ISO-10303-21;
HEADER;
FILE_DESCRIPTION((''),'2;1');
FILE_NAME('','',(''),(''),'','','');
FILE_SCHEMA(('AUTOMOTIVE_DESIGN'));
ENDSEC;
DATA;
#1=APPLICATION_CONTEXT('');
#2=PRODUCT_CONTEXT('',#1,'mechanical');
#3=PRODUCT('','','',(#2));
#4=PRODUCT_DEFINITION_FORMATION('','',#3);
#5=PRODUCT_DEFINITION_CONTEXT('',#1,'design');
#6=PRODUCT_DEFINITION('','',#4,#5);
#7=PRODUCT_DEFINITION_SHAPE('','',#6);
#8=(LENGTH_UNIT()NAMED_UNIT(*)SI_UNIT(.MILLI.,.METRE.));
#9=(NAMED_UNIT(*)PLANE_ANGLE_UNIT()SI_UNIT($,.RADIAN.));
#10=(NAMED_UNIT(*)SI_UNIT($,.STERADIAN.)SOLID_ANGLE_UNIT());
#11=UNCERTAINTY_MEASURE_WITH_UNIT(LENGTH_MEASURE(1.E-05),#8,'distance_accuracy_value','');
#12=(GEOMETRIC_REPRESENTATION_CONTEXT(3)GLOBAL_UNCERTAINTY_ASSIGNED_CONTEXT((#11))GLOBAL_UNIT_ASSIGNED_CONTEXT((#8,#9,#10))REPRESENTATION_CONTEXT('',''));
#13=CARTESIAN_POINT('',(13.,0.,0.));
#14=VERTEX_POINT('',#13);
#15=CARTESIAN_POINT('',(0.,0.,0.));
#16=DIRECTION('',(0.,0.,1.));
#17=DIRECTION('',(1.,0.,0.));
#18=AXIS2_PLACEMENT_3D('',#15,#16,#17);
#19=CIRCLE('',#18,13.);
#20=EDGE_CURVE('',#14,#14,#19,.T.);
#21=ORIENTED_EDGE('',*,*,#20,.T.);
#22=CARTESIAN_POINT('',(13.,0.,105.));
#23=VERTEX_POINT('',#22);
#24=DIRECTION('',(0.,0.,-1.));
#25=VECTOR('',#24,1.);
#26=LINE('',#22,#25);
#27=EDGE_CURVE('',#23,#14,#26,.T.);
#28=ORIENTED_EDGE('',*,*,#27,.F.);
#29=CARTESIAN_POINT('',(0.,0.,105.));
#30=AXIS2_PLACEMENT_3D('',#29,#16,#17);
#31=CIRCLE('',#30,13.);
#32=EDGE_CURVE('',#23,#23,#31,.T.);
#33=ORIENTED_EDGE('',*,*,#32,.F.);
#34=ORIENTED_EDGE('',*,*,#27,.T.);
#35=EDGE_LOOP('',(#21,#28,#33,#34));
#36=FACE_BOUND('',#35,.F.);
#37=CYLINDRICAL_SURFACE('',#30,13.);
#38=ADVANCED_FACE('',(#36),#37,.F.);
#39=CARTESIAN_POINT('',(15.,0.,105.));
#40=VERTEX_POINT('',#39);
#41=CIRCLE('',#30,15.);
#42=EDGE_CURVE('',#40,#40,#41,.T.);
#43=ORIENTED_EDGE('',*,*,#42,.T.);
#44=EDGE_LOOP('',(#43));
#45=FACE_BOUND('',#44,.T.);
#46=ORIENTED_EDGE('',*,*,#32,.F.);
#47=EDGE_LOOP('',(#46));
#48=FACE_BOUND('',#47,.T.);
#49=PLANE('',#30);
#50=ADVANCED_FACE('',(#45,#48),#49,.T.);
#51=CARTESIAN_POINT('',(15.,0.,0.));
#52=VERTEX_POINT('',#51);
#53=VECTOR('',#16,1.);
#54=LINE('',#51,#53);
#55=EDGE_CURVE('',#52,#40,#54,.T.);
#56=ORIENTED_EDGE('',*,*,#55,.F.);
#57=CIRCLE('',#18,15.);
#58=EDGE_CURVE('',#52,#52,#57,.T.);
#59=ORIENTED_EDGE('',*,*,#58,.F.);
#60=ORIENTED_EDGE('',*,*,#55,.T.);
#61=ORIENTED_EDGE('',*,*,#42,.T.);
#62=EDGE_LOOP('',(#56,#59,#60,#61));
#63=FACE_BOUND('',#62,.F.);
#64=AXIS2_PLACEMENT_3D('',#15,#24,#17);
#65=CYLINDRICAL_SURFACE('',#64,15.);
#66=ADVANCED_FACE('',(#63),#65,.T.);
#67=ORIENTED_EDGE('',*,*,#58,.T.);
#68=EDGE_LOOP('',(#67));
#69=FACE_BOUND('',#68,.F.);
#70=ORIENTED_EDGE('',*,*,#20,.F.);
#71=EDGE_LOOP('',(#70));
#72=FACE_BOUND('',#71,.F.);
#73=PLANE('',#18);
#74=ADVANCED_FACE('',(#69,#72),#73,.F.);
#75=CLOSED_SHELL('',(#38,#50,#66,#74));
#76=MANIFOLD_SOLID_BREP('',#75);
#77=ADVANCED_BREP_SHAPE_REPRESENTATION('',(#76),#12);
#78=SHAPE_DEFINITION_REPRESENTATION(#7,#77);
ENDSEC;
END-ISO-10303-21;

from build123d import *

# Parameters (mm, degrees)
SKETCH_R     = 15
PAD_DEPTH    = 105
SKETCH001_R  = 13
POCKET_DEPTH = 105.001


with BuildPart() as part:
    # Sketch → Pad (new body)
    with BuildSketch(Plane.XY):
        Circle(SKETCH_R)
    extrude(amount=PAD_DEPTH)

    # Sketch001 → Pocket (cut, through all)
    with BuildSketch(Plane.XY.offset(105)):
        Circle(SKETCH001_R)
    extrude(amount=-POCKET_DEPTH, mode=Mode.SUBTRACT)


solid = part.part
